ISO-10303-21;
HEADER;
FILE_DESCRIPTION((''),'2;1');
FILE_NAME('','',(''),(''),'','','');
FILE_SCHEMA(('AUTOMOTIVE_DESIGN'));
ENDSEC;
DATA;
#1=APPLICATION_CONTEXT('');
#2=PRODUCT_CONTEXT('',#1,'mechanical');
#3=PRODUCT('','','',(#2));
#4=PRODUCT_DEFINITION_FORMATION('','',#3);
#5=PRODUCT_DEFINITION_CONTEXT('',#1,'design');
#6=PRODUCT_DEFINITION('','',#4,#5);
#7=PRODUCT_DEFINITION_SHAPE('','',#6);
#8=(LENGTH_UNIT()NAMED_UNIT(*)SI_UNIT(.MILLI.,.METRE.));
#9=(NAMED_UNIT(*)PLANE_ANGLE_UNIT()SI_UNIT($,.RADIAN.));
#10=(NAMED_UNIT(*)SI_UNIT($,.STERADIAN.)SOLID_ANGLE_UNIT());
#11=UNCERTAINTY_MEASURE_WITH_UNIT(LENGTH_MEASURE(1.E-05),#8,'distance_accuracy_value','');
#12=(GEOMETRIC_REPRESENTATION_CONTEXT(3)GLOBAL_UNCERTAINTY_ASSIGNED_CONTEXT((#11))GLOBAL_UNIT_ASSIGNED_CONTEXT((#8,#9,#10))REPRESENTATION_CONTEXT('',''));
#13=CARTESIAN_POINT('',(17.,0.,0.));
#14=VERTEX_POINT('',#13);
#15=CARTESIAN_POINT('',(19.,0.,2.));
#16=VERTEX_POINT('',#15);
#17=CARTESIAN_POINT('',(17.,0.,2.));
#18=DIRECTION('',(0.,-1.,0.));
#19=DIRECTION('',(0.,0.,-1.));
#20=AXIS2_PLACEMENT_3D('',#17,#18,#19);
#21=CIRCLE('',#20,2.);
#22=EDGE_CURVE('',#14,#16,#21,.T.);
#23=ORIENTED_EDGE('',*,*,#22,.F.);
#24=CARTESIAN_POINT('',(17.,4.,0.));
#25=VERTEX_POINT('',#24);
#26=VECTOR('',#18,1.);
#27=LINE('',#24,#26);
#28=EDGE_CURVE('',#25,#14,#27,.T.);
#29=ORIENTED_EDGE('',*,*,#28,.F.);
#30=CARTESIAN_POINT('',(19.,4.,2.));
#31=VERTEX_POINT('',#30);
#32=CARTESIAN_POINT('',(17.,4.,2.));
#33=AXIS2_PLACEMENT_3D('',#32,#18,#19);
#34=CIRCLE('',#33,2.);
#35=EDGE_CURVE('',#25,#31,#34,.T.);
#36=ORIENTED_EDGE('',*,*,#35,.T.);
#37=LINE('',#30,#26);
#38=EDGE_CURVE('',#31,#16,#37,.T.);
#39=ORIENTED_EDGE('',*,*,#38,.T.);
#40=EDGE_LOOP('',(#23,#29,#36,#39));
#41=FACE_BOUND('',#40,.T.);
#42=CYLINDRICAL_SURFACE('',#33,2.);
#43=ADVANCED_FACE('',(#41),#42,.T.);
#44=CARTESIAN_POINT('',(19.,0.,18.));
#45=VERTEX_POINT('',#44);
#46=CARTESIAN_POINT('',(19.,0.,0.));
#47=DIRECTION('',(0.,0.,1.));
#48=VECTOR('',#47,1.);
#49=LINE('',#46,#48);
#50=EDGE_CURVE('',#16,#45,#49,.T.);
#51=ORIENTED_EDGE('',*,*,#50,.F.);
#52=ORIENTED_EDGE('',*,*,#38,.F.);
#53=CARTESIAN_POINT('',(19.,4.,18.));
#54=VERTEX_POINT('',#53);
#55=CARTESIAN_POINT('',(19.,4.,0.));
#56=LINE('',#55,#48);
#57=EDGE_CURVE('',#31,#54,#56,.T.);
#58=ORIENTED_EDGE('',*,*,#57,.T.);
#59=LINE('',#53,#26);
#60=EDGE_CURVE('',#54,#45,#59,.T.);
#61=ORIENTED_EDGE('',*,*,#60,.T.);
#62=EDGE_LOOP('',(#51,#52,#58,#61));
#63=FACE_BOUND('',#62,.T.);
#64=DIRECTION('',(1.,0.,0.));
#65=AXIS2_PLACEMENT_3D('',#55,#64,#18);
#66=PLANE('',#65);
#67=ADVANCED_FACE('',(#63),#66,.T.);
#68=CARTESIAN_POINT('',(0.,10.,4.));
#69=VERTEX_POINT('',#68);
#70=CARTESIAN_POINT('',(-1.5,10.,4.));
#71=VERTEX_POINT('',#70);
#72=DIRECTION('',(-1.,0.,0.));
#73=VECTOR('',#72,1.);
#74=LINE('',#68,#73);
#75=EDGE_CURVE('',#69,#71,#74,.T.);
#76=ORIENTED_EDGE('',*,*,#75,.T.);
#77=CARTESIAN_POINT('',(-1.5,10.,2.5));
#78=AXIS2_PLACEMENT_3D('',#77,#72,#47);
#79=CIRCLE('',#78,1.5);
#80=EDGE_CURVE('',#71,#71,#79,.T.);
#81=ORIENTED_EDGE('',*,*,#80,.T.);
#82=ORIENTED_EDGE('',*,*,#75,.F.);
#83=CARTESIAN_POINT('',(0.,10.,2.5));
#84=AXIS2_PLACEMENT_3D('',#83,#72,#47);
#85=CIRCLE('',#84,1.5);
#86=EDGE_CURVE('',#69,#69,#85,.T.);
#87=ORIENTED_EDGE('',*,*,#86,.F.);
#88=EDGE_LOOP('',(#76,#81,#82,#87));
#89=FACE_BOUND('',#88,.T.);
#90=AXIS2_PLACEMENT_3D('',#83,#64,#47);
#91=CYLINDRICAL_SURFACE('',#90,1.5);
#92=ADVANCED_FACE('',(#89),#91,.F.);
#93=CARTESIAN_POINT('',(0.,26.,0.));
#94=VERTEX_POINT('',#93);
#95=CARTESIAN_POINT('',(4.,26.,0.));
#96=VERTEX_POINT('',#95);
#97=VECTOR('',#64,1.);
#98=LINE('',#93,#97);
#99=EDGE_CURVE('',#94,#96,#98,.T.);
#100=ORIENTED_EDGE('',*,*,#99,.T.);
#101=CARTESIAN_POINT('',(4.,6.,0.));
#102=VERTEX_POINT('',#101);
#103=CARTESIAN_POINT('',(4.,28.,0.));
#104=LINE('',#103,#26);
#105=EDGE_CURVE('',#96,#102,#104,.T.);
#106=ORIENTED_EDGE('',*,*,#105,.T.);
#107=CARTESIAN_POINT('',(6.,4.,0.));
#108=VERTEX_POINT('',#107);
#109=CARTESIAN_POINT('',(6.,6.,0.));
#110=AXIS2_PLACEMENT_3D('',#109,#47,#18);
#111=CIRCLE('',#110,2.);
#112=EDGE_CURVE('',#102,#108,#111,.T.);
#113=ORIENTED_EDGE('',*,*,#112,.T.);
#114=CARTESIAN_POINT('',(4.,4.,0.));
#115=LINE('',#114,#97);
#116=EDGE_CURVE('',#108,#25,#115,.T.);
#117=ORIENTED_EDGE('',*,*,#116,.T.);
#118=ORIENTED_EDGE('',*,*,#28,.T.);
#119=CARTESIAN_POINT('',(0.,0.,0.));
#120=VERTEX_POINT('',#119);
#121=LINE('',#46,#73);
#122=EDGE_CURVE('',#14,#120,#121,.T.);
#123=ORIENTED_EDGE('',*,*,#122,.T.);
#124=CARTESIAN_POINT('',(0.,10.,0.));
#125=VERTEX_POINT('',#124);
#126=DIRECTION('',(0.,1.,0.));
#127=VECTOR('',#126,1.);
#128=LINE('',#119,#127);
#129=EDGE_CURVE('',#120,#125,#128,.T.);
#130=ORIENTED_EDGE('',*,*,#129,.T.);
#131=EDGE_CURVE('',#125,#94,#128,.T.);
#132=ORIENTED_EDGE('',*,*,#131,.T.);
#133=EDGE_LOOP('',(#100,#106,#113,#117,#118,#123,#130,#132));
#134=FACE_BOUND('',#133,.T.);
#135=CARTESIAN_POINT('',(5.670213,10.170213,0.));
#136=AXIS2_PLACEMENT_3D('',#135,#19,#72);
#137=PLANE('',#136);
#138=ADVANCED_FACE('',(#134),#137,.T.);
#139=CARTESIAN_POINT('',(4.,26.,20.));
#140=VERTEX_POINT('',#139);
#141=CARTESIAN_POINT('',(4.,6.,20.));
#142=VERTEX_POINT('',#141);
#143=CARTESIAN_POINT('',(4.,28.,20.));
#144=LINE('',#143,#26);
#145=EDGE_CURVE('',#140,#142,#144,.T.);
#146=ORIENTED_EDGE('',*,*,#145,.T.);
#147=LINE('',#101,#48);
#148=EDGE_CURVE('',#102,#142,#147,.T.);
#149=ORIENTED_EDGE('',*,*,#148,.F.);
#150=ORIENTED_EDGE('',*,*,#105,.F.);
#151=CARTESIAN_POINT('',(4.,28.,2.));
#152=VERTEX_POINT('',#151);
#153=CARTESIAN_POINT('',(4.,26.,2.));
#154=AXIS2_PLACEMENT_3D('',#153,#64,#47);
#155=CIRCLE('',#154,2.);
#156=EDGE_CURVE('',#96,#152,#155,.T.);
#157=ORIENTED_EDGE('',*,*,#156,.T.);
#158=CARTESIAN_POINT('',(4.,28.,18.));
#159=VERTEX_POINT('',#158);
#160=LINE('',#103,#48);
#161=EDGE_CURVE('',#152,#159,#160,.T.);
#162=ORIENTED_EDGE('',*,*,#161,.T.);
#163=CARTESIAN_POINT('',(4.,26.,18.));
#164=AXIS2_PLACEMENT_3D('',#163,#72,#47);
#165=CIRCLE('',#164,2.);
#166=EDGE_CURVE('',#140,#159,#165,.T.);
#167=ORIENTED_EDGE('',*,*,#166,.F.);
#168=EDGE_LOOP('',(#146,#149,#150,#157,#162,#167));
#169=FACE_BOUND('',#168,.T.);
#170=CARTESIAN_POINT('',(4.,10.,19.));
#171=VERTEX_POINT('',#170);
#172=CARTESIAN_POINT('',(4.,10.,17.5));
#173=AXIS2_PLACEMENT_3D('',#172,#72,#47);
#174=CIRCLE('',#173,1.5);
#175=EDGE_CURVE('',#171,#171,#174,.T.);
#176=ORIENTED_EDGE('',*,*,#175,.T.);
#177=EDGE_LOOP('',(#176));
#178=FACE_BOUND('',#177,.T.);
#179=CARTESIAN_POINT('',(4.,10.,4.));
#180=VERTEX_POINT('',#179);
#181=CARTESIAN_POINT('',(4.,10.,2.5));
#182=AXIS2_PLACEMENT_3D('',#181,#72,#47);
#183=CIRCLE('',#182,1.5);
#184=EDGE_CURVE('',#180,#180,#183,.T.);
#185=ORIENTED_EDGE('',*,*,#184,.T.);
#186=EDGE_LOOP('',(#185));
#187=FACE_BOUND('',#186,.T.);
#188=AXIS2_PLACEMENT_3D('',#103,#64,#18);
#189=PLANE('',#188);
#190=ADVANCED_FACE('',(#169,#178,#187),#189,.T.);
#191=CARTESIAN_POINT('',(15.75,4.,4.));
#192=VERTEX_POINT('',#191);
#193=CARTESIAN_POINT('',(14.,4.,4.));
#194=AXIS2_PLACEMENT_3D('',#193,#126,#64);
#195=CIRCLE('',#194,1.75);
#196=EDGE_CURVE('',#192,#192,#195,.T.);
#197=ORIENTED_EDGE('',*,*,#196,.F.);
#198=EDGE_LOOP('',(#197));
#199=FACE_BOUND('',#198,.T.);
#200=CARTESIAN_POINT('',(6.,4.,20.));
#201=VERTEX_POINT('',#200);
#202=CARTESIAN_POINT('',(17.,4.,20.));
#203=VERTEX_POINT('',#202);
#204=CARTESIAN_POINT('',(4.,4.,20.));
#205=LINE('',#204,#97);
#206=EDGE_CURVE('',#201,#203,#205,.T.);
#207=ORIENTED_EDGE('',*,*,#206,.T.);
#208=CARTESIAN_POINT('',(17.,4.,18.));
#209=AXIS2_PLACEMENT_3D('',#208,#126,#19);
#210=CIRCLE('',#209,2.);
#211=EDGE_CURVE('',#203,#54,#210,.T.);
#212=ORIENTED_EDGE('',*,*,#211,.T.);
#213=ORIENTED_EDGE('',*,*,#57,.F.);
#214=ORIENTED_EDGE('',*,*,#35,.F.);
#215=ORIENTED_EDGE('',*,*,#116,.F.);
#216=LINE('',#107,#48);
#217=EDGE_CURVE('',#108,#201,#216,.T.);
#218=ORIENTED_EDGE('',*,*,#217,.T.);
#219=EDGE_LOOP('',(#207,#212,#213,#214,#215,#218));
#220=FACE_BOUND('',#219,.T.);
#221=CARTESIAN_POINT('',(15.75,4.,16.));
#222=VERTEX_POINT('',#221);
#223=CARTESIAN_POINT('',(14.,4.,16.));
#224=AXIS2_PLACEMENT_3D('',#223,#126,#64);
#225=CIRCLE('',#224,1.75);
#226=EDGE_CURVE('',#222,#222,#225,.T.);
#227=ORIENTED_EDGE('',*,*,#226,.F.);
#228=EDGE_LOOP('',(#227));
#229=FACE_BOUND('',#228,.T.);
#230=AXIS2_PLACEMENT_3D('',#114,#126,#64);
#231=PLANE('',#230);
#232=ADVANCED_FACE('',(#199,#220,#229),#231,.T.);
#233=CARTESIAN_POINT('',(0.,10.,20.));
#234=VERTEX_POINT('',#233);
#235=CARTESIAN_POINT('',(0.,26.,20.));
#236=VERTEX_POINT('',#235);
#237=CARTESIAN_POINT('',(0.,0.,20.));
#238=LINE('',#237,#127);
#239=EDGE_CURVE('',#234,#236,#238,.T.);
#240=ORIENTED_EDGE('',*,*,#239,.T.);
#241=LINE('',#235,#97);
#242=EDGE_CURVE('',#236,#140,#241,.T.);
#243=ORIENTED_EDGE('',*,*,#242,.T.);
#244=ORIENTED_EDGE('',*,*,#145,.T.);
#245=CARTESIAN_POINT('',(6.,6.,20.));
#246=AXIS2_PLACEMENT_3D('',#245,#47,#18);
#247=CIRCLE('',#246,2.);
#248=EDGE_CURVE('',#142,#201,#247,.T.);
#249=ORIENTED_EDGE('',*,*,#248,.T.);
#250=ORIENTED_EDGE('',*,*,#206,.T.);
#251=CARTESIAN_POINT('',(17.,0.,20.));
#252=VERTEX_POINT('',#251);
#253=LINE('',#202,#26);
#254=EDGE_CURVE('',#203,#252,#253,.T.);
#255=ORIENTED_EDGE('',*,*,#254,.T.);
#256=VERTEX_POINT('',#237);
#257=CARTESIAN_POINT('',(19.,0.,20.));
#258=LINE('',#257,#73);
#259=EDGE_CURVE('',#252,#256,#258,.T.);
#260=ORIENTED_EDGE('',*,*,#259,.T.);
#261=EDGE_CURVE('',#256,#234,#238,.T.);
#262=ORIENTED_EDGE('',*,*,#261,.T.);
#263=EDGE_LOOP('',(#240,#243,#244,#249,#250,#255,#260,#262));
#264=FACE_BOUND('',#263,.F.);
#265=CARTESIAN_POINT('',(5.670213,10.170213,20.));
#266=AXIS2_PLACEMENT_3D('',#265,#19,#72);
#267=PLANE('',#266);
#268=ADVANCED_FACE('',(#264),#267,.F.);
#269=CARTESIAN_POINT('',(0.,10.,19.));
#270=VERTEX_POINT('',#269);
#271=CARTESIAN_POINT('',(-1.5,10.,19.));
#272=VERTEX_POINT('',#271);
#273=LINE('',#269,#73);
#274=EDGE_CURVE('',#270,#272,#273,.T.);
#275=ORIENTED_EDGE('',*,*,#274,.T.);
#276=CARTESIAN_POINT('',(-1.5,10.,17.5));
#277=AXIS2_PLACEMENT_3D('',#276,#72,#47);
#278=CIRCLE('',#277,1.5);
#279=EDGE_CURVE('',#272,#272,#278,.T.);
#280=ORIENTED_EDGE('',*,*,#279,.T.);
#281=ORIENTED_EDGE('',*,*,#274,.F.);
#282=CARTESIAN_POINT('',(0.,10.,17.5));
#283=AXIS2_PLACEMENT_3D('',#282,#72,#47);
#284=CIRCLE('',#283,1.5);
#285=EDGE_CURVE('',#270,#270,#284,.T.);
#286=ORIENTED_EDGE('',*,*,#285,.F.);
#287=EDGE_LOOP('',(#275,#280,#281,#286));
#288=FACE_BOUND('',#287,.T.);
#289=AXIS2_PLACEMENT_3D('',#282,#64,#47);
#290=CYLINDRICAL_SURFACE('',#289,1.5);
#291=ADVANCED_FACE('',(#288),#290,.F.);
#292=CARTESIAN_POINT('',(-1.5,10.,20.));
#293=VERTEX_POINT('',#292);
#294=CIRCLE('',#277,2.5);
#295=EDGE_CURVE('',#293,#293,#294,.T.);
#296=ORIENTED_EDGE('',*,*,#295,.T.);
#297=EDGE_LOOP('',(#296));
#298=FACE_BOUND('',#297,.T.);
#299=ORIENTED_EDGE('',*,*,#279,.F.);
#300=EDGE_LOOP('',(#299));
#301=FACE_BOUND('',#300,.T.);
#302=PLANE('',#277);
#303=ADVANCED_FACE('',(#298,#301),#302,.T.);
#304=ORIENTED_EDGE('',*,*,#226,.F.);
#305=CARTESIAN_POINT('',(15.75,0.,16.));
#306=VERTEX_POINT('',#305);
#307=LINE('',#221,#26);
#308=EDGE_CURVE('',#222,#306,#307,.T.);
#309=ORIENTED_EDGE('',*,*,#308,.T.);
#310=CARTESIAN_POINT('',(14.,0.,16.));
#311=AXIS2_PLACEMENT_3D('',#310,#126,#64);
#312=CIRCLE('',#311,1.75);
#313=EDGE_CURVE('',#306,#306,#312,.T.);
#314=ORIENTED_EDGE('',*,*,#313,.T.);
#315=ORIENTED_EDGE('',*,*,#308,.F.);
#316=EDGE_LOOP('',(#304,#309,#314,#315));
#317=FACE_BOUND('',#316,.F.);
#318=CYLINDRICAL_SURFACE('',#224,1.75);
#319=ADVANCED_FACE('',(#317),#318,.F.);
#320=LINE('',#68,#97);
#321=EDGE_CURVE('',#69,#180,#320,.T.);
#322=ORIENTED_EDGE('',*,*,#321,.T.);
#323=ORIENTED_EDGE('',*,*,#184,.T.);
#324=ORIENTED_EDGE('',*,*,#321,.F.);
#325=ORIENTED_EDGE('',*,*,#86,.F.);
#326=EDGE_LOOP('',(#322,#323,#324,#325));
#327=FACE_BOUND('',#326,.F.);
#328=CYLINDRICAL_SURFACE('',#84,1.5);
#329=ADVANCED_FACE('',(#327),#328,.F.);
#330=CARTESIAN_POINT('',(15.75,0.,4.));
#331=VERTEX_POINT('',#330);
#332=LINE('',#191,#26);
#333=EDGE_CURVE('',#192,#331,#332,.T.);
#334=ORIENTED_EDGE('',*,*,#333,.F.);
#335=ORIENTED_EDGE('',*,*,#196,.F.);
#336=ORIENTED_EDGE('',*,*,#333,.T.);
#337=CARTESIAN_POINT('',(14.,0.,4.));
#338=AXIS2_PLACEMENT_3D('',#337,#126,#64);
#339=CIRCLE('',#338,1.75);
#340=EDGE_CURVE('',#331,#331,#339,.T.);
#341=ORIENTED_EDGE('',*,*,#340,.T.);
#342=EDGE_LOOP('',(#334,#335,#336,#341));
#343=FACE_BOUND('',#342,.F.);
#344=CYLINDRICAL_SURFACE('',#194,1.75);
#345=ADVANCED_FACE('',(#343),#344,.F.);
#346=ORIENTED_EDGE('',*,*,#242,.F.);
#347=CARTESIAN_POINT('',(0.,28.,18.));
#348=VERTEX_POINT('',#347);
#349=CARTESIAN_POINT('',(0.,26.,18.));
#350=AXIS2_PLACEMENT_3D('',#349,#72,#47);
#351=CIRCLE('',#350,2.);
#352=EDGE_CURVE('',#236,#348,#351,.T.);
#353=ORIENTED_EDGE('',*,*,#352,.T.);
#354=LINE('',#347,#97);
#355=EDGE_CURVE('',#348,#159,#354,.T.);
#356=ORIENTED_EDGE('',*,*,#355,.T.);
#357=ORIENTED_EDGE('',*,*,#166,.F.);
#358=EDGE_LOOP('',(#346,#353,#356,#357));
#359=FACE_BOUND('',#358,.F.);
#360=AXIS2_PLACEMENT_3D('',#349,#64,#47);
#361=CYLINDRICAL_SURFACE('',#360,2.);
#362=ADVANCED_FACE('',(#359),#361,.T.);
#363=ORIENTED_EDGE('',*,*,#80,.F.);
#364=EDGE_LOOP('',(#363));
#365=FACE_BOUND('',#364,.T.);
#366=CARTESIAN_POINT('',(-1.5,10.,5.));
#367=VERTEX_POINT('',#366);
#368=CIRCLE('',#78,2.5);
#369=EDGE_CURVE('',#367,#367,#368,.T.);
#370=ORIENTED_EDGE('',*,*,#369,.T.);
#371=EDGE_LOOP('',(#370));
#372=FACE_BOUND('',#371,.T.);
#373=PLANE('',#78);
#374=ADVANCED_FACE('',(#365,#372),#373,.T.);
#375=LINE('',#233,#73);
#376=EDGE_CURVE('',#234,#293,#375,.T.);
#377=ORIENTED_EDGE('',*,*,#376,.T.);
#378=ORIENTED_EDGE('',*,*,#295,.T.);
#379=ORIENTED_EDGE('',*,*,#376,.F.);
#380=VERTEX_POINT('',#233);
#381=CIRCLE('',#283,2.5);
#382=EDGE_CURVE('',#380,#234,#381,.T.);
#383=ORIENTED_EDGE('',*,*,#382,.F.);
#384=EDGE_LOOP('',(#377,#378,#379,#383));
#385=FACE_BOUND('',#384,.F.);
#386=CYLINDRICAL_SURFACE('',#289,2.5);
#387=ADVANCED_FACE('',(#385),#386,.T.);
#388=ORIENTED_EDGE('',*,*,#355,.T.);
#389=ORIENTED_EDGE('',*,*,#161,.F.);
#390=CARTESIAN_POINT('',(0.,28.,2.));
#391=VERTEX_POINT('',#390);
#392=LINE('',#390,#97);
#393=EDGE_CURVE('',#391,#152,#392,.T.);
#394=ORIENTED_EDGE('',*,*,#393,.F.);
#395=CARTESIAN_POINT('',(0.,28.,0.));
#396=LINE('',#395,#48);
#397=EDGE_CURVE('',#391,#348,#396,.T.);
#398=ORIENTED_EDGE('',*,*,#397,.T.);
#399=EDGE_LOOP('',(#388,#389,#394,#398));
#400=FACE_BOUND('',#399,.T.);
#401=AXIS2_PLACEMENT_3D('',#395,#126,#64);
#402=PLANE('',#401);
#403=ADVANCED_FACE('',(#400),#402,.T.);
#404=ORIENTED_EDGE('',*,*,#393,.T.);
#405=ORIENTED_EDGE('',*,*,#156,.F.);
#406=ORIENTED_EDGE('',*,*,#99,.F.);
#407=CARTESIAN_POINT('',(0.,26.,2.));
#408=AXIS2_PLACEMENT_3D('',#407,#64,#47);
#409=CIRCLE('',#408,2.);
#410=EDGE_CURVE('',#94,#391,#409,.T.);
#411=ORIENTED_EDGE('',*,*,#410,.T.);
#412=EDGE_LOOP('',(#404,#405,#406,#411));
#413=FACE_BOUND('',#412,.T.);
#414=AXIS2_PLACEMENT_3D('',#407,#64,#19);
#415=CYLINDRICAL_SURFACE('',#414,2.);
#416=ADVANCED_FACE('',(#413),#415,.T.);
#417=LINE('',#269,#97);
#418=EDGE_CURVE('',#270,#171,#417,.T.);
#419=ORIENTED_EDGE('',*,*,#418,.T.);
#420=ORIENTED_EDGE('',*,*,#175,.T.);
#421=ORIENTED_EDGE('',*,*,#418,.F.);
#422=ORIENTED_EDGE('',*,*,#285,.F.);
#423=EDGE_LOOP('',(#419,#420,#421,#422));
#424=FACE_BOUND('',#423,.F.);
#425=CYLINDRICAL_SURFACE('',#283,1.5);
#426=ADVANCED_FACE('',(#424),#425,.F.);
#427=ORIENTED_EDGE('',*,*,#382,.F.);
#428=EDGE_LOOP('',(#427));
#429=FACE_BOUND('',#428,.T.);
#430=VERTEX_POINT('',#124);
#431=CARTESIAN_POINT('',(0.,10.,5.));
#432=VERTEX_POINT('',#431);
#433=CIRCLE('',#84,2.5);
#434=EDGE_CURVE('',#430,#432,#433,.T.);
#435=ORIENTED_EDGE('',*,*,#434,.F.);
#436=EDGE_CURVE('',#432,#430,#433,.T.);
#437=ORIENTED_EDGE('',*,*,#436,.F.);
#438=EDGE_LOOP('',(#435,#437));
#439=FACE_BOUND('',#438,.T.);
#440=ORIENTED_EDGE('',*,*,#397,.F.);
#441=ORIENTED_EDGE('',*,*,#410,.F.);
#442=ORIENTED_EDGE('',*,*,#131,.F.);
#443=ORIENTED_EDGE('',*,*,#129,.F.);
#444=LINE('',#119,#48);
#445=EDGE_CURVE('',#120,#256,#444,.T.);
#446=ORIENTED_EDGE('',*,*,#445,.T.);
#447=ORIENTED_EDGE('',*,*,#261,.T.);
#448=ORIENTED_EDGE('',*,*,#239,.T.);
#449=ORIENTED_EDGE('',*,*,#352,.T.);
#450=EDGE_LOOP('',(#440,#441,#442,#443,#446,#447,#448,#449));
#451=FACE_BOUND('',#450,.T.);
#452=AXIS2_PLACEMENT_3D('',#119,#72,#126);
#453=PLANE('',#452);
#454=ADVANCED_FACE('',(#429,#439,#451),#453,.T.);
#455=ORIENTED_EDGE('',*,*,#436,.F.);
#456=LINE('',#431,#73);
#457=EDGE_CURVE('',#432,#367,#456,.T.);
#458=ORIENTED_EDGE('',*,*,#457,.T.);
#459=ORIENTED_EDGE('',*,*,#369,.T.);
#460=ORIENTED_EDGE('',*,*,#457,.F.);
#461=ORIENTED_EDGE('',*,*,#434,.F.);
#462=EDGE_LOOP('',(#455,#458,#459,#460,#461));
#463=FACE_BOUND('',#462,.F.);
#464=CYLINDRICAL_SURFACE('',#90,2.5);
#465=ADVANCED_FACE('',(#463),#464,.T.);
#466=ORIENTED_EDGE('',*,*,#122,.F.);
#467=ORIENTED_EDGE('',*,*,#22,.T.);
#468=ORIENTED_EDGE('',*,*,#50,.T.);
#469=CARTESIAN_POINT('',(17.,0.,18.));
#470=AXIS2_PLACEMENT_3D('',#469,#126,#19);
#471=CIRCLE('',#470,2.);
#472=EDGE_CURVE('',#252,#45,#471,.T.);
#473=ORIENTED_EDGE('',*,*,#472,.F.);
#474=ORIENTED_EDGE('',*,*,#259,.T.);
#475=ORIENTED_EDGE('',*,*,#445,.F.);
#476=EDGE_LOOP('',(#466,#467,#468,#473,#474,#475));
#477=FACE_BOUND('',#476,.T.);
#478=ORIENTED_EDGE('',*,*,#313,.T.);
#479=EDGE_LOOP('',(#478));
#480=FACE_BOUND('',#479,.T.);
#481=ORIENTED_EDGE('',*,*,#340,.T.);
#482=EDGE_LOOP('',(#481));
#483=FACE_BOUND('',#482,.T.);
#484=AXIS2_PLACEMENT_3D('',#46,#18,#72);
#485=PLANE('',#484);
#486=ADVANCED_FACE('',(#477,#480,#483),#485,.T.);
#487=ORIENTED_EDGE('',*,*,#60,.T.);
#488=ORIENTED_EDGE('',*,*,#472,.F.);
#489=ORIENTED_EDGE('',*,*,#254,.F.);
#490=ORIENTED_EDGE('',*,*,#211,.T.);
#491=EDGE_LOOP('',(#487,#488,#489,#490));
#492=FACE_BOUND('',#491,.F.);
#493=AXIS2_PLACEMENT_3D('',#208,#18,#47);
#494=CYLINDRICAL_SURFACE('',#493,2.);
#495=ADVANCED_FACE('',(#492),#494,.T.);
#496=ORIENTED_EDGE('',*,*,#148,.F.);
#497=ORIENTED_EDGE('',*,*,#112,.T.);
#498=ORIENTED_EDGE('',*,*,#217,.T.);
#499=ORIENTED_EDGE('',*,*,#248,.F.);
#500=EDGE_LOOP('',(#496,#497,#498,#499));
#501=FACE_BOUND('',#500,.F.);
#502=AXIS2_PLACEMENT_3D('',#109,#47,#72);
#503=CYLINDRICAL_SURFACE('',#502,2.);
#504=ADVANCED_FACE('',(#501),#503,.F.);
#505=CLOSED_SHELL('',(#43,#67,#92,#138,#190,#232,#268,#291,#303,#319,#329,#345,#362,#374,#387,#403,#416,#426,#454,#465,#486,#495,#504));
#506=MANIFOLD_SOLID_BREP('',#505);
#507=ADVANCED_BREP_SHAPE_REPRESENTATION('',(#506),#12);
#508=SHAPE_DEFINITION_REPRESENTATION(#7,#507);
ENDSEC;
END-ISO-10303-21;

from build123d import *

# Parameters (mm, degrees)
BOSS_EXTRUDE1_DEPTH = 20
SKETCH2_R           = 1.5
CUT_EXTRUDE1_DEPTH  = 20
SKETCH3_R           = 1.75
CUT_EXTRUDE2_DEPTH  = 5
FILLET1_R           = 2
SKETCH4_R           = 2.5
SKETCH4_R_2         = 1.5
BOSS_EXTRUDE2_DEPTH = 1.5


with BuildPart() as part:
    # Sketch1 → Boss-Extrude1 (new body)
    with BuildSketch(Plane.XY):
        Polygon((0, 0), (0, 28), (4, 28), (4, 4), (19, 4), (19, 0), align=None)
    extrude(amount=BOSS_EXTRUDE1_DEPTH)

    # Sketch2 → Cut-Extrude1 (cut, through all)
    with BuildSketch(Plane.ZY):
        with Locations((17.5, 10)):
            Circle(SKETCH2_R)
        with Locations((2.5, 10)):
            Circle(SKETCH2_R)
    extrude(amount=-CUT_EXTRUDE1_DEPTH, mode=Mode.SUBTRACT)

    # Sketch3 → Cut-Extrude2 (cut, through all)
    with BuildSketch(Plane(origin=(0, 4, 0), x_dir=(1, 0, 0), z_dir=(0, 1, 0))):
        with Locations((14, -4)):
            Circle(SKETCH3_R)
        with Locations((14, -16)):
            Circle(SKETCH3_R)
    extrude(amount=-CUT_EXTRUDE2_DEPTH, mode=Mode.SUBTRACT)

    # Fillet1
    fillet1_edges = [part.edges().sort_by_distance(p)[0] for p in [
        (4, 4, 10),
        (2, 28, 20),
        (2, 28, 0),
        (19, 2, 0),
        (19, 2, 20),
    ]]
    fillet(fillet1_edges, radius=FILLET1_R)

    # Sketch4 → Boss-Extrude2 (add)
    with BuildSketch(Plane.ZY):
        with Locations((2.5, 10)):
            Circle(SKETCH4_R)
        with Locations((2.5, 10)):
            Circle(SKETCH4_R_2, mode=Mode.SUBTRACT)
        with Locations((17.5, 10)):
            Circle(SKETCH4_R)
        with Locations((17.5, 10)):
            Circle(SKETCH4_R_2, mode=Mode.SUBTRACT)
    extrude(amount=BOSS_EXTRUDE2_DEPTH)


solid = part.part
